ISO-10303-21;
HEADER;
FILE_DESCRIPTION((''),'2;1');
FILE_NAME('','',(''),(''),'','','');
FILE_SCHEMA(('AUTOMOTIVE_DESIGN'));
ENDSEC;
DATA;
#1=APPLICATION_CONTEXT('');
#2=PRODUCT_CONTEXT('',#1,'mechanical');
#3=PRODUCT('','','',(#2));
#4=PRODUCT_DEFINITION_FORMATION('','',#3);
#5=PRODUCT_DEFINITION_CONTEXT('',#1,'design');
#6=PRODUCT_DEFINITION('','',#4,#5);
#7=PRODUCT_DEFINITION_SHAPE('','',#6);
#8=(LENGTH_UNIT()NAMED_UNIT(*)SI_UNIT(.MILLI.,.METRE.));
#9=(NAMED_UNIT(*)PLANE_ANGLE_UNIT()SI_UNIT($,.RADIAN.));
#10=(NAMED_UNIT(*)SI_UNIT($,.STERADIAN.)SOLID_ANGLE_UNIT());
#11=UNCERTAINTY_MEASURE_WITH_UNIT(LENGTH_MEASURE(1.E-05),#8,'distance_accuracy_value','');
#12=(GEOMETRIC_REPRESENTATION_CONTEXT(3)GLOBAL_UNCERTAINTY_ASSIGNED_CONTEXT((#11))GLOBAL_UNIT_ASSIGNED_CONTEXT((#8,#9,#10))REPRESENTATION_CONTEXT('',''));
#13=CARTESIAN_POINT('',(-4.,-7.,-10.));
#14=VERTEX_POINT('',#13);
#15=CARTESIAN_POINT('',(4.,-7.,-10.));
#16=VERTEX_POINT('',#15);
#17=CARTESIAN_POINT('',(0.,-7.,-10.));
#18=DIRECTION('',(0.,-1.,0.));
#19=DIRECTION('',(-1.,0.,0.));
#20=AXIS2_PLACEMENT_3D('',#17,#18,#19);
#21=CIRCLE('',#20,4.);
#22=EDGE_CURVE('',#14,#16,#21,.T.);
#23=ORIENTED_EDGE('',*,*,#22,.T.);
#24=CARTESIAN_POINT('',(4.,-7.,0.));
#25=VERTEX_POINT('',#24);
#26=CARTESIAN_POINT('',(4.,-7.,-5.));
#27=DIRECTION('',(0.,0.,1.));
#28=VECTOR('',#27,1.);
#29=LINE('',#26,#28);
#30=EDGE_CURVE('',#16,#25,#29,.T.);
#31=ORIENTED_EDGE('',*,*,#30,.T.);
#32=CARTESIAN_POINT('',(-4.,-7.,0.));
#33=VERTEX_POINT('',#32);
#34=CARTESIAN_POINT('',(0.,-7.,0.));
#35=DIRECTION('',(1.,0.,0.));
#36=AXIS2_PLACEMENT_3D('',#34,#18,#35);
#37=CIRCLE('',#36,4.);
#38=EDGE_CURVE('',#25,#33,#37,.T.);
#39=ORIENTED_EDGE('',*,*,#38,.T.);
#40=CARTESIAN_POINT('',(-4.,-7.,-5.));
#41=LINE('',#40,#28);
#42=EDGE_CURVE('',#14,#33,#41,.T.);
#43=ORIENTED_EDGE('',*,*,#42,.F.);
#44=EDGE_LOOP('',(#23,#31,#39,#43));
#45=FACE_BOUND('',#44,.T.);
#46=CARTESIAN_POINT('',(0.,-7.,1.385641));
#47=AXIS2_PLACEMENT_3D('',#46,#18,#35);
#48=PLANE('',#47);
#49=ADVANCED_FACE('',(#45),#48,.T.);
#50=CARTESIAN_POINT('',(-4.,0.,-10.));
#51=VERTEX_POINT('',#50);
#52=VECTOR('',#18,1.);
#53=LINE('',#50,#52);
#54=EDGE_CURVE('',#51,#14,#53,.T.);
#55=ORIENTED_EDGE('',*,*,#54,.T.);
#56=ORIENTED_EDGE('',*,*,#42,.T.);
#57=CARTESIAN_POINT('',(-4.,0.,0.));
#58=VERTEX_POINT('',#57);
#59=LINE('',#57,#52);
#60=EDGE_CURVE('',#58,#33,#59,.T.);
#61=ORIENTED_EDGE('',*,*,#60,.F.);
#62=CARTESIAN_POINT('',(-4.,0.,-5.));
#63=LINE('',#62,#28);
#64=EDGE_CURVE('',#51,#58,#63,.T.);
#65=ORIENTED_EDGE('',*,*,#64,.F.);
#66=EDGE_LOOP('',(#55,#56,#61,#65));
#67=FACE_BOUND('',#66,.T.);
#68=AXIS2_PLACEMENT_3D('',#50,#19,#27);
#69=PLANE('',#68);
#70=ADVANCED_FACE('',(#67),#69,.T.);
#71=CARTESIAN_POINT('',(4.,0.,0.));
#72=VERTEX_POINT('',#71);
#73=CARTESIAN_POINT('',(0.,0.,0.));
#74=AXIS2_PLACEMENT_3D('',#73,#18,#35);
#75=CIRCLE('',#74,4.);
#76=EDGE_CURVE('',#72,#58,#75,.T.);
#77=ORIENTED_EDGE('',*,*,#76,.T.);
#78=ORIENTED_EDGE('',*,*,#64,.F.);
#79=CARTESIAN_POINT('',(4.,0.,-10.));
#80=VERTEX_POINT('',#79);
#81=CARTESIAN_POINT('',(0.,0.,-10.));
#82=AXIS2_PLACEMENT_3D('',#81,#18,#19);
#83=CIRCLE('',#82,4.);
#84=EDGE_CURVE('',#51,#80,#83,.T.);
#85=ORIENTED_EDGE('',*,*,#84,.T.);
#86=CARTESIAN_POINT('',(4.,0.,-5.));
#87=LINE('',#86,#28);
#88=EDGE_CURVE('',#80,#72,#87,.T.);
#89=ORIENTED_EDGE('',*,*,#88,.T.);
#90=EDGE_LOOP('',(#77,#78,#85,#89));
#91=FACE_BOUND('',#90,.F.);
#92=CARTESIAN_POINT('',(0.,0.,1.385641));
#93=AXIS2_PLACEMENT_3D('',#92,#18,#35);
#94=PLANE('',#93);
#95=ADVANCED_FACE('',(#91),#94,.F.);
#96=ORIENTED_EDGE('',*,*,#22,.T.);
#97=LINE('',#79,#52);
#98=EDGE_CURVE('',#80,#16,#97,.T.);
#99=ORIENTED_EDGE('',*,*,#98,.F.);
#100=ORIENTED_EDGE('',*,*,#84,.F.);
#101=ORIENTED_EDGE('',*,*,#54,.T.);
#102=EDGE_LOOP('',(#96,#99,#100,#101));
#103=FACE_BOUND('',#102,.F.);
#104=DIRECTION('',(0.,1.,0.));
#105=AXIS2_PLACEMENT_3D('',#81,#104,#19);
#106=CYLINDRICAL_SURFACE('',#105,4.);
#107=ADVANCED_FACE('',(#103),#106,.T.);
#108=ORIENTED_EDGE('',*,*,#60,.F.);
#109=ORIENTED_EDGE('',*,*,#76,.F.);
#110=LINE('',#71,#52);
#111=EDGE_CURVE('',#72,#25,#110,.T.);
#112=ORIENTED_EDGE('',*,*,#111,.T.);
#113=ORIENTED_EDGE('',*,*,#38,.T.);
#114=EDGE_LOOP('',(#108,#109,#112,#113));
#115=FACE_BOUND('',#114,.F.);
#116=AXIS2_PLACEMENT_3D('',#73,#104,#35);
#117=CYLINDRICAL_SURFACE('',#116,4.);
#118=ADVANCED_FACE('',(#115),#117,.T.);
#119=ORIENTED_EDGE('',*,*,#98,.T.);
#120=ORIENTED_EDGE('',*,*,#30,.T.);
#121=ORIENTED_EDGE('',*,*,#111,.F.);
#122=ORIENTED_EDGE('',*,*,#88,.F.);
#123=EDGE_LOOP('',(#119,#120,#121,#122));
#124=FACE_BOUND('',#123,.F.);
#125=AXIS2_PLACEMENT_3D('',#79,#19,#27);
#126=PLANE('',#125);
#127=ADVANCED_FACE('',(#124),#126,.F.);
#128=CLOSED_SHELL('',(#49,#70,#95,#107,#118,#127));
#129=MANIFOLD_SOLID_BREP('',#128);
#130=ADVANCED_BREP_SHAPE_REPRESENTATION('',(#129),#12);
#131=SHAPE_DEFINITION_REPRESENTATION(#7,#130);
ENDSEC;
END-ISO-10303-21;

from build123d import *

# Parameters (mm, degrees)
F0_W     = 8
F0_H     = 10
F1_DEPTH = 7


with BuildPart() as f1:
    # F0 (on Front) → F1 (new body)
    with BuildSketch(Plane.XZ):
        with BuildLine():
            ThreePointArc((4, 0), (0, 4), (-4, 0))
            Line((-4, 0), (4, 0))
        make_face()
        with Locations((0, -5)):
            Rectangle(F0_W, F0_H)
        with BuildLine():
            Line((4, -10), (-4, -10))
            ThreePointArc((-4, -10), (0, -14), (4, -10))
        make_face()
    extrude(amount=F1_DEPTH)


solid = f1.part
